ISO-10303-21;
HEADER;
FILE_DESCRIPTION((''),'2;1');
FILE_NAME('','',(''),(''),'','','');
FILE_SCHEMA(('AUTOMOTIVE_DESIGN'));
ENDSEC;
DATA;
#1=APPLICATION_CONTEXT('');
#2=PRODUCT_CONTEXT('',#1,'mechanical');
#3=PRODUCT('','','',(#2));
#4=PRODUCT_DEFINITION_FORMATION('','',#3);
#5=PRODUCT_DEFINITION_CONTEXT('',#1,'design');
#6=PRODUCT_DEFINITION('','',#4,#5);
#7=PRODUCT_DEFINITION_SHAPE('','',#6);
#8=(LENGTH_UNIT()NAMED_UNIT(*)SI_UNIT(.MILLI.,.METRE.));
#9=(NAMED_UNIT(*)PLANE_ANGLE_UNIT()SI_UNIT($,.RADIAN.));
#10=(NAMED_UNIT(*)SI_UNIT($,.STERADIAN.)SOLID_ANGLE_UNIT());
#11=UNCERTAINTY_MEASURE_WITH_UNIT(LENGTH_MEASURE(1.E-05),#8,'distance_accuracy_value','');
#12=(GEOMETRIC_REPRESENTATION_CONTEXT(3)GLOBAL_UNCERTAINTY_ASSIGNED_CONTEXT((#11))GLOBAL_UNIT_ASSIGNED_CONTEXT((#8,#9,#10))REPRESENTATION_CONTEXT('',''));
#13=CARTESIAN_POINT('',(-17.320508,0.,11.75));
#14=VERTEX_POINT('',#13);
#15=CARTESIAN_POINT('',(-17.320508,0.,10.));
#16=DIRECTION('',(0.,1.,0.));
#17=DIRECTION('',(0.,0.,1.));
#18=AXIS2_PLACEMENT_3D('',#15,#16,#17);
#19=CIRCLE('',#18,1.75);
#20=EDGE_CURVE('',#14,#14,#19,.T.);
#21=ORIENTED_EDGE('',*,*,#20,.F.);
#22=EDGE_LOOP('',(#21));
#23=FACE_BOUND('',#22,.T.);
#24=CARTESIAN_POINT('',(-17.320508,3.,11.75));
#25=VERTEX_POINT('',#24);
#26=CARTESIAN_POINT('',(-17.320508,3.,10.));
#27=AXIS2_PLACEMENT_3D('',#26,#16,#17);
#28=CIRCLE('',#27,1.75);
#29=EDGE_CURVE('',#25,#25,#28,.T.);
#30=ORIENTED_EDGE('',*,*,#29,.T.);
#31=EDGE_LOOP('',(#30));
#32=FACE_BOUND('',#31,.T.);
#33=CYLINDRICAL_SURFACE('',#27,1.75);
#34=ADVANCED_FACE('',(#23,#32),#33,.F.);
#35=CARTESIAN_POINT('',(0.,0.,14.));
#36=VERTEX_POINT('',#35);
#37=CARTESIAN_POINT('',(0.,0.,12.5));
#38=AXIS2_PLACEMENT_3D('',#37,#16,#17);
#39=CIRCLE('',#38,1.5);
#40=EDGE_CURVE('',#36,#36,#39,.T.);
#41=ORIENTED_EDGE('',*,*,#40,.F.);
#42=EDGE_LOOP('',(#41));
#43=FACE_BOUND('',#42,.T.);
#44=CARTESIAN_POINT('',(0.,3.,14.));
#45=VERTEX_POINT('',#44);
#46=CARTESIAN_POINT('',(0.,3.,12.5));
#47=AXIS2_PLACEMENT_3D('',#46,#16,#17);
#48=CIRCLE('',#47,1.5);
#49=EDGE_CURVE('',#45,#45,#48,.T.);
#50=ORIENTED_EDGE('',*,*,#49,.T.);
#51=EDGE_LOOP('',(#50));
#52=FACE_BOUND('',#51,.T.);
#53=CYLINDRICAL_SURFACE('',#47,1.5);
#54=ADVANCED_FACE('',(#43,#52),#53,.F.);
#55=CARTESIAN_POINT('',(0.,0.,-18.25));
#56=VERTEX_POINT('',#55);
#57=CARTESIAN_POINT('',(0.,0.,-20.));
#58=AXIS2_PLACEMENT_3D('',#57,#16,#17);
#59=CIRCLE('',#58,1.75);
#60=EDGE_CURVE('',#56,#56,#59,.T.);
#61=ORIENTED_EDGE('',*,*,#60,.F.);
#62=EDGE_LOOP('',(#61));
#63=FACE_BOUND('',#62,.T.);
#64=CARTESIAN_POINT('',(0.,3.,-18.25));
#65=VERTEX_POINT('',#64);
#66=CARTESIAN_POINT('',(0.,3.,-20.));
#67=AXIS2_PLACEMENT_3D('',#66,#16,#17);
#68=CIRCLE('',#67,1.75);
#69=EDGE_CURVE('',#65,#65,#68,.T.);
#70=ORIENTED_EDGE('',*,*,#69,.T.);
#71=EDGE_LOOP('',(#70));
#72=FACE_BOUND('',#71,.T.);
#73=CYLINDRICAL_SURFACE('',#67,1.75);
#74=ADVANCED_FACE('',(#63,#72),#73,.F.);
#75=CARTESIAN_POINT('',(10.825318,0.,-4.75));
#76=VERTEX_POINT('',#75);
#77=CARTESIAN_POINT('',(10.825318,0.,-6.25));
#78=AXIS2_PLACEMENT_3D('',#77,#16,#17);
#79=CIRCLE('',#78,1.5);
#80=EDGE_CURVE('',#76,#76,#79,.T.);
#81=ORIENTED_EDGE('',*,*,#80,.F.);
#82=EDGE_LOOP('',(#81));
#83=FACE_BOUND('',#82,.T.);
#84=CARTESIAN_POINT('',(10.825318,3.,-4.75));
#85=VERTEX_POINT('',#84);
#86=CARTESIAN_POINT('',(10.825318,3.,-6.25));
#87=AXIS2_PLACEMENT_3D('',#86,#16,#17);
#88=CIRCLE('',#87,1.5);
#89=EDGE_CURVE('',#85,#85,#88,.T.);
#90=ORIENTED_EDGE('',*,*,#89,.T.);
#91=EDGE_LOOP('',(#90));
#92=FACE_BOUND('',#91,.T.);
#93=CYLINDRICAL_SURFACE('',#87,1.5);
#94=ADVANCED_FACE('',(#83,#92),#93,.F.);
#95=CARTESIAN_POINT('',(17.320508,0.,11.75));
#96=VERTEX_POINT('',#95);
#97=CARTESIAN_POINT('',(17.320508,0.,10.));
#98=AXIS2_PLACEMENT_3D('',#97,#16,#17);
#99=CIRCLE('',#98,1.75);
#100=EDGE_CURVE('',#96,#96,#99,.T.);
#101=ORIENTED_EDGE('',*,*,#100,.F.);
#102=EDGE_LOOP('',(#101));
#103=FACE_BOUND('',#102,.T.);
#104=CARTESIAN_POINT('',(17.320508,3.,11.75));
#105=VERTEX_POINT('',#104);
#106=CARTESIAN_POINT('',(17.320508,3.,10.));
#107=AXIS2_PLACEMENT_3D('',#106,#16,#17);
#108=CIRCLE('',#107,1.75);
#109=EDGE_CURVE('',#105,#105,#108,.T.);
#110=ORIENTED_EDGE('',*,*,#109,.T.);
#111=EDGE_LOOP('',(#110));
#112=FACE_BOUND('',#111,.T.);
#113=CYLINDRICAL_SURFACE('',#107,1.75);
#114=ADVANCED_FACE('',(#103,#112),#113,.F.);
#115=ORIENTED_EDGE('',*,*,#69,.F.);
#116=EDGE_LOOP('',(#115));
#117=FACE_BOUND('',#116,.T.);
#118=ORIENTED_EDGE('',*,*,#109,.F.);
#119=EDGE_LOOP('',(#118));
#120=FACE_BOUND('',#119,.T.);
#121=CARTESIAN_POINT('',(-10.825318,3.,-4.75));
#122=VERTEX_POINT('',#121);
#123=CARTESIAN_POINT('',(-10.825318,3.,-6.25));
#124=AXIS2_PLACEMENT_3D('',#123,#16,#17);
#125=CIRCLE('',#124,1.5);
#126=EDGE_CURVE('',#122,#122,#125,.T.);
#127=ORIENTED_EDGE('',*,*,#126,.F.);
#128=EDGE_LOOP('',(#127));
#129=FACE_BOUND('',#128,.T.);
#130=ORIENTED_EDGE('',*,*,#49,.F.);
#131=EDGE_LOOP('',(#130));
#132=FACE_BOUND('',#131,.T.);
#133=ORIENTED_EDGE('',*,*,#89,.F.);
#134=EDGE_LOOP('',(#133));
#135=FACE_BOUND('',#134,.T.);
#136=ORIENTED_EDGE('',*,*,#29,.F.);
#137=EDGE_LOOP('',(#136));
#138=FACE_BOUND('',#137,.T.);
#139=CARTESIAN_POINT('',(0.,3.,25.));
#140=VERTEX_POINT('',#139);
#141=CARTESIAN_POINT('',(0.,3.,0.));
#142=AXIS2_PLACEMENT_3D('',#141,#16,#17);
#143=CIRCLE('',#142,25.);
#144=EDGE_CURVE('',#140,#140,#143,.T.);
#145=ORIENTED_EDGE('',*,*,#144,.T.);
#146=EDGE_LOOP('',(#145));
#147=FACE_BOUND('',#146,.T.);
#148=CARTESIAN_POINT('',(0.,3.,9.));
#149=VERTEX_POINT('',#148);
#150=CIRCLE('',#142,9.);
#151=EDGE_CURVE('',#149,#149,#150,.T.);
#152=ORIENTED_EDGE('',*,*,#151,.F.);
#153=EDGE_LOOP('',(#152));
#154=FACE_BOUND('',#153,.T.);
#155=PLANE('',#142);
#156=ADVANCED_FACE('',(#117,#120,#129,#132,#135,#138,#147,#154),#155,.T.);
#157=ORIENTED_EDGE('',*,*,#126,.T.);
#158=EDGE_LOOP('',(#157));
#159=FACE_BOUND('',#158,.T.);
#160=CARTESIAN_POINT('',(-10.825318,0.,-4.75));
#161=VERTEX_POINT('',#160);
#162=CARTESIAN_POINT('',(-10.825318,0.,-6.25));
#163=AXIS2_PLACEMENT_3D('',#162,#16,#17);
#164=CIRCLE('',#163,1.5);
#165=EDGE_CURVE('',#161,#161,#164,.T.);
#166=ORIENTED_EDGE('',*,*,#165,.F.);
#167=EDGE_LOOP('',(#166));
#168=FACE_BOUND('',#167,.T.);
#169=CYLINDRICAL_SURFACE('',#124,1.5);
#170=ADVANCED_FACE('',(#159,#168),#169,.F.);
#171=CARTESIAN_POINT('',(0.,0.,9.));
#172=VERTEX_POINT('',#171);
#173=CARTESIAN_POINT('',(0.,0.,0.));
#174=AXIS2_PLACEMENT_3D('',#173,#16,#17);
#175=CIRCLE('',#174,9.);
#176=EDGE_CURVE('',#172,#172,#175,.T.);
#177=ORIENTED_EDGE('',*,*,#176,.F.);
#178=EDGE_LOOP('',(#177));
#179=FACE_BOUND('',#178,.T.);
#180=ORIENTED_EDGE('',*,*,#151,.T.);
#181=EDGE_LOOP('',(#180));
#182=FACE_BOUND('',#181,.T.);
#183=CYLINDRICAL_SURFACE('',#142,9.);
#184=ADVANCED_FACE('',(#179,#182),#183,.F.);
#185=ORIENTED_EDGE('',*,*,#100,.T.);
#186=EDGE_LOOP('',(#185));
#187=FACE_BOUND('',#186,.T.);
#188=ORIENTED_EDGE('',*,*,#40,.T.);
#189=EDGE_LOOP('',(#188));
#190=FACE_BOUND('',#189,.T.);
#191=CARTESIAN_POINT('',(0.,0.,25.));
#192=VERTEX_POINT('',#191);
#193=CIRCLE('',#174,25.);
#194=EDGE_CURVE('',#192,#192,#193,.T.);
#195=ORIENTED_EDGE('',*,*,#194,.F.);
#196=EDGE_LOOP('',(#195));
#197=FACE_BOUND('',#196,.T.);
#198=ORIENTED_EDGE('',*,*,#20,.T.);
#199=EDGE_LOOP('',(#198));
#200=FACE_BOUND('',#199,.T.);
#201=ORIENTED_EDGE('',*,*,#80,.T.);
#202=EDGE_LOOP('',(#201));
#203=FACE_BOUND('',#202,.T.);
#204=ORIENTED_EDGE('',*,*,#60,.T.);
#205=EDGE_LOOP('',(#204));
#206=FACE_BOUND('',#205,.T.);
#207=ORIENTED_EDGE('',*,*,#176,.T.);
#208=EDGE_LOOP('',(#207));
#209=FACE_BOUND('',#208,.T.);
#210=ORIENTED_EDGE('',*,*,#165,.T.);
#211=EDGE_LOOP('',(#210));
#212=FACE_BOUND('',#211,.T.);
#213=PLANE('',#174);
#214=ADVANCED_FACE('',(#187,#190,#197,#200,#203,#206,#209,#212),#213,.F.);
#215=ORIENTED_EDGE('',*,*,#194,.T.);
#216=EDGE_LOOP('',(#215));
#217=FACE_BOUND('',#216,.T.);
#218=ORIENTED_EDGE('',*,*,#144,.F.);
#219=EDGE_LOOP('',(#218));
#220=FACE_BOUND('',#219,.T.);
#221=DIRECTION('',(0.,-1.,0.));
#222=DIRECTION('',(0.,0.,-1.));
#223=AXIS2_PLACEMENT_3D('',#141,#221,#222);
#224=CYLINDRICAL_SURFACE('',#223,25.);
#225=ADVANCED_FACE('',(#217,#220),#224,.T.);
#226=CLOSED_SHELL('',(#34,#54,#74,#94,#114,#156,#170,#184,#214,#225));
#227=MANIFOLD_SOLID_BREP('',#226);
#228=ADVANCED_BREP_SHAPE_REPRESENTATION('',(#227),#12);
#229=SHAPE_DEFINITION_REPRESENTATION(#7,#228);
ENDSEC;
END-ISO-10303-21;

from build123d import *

# Parameters (mm, degrees)
SKETCH_1_R      = 25
EXTRUDE_1_DEPTH = 3
HOLE_WIZARD_1_D = 3.5
HOLE_WIZARD_2_D = 18
HOLE_WIZARD_3_D = 3


with BuildPart() as part:
    # 草图1 → 凸台-拉伸1 (new body)
    with BuildSketch(Plane(origin=(0, 0, 0), x_dir=(1, 0, 0), z_dir=(0, 1, 0))):
        with Locations(Location((0, 0, 0), (0, 0, 270))):
            Circle(SKETCH_1_R)
    extrude(amount=EXTRUDE_1_DEPTH)

    # 孔1 (through all)
    with Locations(Plane(origin=(0, 3, 0), x_dir=(1, 0, 0), z_dir=(0, 1, 0))):
        with Locations((0, 20), (-17.320508076, -10), (17.320508076, -10)):
            Hole(HOLE_WIZARD_1_D / 2)

    # 孔2 (through all)
    with Locations(Plane(origin=(0, 3, 0), x_dir=(1, 0, 0), z_dir=(0, 1, 0))):
        with Locations((0, 0)):
            Hole(HOLE_WIZARD_2_D / 2)

    # 孔3 (through all)
    with Locations(Plane(origin=(0, 3, 0), x_dir=(1, 0, 0), z_dir=(0, 1, 0))):
        with Locations((-10.825317547, 6.25), (0, -12.5), (10.825317547, 6.25)):
            Hole(HOLE_WIZARD_3_D / 2)


solid = part.part
